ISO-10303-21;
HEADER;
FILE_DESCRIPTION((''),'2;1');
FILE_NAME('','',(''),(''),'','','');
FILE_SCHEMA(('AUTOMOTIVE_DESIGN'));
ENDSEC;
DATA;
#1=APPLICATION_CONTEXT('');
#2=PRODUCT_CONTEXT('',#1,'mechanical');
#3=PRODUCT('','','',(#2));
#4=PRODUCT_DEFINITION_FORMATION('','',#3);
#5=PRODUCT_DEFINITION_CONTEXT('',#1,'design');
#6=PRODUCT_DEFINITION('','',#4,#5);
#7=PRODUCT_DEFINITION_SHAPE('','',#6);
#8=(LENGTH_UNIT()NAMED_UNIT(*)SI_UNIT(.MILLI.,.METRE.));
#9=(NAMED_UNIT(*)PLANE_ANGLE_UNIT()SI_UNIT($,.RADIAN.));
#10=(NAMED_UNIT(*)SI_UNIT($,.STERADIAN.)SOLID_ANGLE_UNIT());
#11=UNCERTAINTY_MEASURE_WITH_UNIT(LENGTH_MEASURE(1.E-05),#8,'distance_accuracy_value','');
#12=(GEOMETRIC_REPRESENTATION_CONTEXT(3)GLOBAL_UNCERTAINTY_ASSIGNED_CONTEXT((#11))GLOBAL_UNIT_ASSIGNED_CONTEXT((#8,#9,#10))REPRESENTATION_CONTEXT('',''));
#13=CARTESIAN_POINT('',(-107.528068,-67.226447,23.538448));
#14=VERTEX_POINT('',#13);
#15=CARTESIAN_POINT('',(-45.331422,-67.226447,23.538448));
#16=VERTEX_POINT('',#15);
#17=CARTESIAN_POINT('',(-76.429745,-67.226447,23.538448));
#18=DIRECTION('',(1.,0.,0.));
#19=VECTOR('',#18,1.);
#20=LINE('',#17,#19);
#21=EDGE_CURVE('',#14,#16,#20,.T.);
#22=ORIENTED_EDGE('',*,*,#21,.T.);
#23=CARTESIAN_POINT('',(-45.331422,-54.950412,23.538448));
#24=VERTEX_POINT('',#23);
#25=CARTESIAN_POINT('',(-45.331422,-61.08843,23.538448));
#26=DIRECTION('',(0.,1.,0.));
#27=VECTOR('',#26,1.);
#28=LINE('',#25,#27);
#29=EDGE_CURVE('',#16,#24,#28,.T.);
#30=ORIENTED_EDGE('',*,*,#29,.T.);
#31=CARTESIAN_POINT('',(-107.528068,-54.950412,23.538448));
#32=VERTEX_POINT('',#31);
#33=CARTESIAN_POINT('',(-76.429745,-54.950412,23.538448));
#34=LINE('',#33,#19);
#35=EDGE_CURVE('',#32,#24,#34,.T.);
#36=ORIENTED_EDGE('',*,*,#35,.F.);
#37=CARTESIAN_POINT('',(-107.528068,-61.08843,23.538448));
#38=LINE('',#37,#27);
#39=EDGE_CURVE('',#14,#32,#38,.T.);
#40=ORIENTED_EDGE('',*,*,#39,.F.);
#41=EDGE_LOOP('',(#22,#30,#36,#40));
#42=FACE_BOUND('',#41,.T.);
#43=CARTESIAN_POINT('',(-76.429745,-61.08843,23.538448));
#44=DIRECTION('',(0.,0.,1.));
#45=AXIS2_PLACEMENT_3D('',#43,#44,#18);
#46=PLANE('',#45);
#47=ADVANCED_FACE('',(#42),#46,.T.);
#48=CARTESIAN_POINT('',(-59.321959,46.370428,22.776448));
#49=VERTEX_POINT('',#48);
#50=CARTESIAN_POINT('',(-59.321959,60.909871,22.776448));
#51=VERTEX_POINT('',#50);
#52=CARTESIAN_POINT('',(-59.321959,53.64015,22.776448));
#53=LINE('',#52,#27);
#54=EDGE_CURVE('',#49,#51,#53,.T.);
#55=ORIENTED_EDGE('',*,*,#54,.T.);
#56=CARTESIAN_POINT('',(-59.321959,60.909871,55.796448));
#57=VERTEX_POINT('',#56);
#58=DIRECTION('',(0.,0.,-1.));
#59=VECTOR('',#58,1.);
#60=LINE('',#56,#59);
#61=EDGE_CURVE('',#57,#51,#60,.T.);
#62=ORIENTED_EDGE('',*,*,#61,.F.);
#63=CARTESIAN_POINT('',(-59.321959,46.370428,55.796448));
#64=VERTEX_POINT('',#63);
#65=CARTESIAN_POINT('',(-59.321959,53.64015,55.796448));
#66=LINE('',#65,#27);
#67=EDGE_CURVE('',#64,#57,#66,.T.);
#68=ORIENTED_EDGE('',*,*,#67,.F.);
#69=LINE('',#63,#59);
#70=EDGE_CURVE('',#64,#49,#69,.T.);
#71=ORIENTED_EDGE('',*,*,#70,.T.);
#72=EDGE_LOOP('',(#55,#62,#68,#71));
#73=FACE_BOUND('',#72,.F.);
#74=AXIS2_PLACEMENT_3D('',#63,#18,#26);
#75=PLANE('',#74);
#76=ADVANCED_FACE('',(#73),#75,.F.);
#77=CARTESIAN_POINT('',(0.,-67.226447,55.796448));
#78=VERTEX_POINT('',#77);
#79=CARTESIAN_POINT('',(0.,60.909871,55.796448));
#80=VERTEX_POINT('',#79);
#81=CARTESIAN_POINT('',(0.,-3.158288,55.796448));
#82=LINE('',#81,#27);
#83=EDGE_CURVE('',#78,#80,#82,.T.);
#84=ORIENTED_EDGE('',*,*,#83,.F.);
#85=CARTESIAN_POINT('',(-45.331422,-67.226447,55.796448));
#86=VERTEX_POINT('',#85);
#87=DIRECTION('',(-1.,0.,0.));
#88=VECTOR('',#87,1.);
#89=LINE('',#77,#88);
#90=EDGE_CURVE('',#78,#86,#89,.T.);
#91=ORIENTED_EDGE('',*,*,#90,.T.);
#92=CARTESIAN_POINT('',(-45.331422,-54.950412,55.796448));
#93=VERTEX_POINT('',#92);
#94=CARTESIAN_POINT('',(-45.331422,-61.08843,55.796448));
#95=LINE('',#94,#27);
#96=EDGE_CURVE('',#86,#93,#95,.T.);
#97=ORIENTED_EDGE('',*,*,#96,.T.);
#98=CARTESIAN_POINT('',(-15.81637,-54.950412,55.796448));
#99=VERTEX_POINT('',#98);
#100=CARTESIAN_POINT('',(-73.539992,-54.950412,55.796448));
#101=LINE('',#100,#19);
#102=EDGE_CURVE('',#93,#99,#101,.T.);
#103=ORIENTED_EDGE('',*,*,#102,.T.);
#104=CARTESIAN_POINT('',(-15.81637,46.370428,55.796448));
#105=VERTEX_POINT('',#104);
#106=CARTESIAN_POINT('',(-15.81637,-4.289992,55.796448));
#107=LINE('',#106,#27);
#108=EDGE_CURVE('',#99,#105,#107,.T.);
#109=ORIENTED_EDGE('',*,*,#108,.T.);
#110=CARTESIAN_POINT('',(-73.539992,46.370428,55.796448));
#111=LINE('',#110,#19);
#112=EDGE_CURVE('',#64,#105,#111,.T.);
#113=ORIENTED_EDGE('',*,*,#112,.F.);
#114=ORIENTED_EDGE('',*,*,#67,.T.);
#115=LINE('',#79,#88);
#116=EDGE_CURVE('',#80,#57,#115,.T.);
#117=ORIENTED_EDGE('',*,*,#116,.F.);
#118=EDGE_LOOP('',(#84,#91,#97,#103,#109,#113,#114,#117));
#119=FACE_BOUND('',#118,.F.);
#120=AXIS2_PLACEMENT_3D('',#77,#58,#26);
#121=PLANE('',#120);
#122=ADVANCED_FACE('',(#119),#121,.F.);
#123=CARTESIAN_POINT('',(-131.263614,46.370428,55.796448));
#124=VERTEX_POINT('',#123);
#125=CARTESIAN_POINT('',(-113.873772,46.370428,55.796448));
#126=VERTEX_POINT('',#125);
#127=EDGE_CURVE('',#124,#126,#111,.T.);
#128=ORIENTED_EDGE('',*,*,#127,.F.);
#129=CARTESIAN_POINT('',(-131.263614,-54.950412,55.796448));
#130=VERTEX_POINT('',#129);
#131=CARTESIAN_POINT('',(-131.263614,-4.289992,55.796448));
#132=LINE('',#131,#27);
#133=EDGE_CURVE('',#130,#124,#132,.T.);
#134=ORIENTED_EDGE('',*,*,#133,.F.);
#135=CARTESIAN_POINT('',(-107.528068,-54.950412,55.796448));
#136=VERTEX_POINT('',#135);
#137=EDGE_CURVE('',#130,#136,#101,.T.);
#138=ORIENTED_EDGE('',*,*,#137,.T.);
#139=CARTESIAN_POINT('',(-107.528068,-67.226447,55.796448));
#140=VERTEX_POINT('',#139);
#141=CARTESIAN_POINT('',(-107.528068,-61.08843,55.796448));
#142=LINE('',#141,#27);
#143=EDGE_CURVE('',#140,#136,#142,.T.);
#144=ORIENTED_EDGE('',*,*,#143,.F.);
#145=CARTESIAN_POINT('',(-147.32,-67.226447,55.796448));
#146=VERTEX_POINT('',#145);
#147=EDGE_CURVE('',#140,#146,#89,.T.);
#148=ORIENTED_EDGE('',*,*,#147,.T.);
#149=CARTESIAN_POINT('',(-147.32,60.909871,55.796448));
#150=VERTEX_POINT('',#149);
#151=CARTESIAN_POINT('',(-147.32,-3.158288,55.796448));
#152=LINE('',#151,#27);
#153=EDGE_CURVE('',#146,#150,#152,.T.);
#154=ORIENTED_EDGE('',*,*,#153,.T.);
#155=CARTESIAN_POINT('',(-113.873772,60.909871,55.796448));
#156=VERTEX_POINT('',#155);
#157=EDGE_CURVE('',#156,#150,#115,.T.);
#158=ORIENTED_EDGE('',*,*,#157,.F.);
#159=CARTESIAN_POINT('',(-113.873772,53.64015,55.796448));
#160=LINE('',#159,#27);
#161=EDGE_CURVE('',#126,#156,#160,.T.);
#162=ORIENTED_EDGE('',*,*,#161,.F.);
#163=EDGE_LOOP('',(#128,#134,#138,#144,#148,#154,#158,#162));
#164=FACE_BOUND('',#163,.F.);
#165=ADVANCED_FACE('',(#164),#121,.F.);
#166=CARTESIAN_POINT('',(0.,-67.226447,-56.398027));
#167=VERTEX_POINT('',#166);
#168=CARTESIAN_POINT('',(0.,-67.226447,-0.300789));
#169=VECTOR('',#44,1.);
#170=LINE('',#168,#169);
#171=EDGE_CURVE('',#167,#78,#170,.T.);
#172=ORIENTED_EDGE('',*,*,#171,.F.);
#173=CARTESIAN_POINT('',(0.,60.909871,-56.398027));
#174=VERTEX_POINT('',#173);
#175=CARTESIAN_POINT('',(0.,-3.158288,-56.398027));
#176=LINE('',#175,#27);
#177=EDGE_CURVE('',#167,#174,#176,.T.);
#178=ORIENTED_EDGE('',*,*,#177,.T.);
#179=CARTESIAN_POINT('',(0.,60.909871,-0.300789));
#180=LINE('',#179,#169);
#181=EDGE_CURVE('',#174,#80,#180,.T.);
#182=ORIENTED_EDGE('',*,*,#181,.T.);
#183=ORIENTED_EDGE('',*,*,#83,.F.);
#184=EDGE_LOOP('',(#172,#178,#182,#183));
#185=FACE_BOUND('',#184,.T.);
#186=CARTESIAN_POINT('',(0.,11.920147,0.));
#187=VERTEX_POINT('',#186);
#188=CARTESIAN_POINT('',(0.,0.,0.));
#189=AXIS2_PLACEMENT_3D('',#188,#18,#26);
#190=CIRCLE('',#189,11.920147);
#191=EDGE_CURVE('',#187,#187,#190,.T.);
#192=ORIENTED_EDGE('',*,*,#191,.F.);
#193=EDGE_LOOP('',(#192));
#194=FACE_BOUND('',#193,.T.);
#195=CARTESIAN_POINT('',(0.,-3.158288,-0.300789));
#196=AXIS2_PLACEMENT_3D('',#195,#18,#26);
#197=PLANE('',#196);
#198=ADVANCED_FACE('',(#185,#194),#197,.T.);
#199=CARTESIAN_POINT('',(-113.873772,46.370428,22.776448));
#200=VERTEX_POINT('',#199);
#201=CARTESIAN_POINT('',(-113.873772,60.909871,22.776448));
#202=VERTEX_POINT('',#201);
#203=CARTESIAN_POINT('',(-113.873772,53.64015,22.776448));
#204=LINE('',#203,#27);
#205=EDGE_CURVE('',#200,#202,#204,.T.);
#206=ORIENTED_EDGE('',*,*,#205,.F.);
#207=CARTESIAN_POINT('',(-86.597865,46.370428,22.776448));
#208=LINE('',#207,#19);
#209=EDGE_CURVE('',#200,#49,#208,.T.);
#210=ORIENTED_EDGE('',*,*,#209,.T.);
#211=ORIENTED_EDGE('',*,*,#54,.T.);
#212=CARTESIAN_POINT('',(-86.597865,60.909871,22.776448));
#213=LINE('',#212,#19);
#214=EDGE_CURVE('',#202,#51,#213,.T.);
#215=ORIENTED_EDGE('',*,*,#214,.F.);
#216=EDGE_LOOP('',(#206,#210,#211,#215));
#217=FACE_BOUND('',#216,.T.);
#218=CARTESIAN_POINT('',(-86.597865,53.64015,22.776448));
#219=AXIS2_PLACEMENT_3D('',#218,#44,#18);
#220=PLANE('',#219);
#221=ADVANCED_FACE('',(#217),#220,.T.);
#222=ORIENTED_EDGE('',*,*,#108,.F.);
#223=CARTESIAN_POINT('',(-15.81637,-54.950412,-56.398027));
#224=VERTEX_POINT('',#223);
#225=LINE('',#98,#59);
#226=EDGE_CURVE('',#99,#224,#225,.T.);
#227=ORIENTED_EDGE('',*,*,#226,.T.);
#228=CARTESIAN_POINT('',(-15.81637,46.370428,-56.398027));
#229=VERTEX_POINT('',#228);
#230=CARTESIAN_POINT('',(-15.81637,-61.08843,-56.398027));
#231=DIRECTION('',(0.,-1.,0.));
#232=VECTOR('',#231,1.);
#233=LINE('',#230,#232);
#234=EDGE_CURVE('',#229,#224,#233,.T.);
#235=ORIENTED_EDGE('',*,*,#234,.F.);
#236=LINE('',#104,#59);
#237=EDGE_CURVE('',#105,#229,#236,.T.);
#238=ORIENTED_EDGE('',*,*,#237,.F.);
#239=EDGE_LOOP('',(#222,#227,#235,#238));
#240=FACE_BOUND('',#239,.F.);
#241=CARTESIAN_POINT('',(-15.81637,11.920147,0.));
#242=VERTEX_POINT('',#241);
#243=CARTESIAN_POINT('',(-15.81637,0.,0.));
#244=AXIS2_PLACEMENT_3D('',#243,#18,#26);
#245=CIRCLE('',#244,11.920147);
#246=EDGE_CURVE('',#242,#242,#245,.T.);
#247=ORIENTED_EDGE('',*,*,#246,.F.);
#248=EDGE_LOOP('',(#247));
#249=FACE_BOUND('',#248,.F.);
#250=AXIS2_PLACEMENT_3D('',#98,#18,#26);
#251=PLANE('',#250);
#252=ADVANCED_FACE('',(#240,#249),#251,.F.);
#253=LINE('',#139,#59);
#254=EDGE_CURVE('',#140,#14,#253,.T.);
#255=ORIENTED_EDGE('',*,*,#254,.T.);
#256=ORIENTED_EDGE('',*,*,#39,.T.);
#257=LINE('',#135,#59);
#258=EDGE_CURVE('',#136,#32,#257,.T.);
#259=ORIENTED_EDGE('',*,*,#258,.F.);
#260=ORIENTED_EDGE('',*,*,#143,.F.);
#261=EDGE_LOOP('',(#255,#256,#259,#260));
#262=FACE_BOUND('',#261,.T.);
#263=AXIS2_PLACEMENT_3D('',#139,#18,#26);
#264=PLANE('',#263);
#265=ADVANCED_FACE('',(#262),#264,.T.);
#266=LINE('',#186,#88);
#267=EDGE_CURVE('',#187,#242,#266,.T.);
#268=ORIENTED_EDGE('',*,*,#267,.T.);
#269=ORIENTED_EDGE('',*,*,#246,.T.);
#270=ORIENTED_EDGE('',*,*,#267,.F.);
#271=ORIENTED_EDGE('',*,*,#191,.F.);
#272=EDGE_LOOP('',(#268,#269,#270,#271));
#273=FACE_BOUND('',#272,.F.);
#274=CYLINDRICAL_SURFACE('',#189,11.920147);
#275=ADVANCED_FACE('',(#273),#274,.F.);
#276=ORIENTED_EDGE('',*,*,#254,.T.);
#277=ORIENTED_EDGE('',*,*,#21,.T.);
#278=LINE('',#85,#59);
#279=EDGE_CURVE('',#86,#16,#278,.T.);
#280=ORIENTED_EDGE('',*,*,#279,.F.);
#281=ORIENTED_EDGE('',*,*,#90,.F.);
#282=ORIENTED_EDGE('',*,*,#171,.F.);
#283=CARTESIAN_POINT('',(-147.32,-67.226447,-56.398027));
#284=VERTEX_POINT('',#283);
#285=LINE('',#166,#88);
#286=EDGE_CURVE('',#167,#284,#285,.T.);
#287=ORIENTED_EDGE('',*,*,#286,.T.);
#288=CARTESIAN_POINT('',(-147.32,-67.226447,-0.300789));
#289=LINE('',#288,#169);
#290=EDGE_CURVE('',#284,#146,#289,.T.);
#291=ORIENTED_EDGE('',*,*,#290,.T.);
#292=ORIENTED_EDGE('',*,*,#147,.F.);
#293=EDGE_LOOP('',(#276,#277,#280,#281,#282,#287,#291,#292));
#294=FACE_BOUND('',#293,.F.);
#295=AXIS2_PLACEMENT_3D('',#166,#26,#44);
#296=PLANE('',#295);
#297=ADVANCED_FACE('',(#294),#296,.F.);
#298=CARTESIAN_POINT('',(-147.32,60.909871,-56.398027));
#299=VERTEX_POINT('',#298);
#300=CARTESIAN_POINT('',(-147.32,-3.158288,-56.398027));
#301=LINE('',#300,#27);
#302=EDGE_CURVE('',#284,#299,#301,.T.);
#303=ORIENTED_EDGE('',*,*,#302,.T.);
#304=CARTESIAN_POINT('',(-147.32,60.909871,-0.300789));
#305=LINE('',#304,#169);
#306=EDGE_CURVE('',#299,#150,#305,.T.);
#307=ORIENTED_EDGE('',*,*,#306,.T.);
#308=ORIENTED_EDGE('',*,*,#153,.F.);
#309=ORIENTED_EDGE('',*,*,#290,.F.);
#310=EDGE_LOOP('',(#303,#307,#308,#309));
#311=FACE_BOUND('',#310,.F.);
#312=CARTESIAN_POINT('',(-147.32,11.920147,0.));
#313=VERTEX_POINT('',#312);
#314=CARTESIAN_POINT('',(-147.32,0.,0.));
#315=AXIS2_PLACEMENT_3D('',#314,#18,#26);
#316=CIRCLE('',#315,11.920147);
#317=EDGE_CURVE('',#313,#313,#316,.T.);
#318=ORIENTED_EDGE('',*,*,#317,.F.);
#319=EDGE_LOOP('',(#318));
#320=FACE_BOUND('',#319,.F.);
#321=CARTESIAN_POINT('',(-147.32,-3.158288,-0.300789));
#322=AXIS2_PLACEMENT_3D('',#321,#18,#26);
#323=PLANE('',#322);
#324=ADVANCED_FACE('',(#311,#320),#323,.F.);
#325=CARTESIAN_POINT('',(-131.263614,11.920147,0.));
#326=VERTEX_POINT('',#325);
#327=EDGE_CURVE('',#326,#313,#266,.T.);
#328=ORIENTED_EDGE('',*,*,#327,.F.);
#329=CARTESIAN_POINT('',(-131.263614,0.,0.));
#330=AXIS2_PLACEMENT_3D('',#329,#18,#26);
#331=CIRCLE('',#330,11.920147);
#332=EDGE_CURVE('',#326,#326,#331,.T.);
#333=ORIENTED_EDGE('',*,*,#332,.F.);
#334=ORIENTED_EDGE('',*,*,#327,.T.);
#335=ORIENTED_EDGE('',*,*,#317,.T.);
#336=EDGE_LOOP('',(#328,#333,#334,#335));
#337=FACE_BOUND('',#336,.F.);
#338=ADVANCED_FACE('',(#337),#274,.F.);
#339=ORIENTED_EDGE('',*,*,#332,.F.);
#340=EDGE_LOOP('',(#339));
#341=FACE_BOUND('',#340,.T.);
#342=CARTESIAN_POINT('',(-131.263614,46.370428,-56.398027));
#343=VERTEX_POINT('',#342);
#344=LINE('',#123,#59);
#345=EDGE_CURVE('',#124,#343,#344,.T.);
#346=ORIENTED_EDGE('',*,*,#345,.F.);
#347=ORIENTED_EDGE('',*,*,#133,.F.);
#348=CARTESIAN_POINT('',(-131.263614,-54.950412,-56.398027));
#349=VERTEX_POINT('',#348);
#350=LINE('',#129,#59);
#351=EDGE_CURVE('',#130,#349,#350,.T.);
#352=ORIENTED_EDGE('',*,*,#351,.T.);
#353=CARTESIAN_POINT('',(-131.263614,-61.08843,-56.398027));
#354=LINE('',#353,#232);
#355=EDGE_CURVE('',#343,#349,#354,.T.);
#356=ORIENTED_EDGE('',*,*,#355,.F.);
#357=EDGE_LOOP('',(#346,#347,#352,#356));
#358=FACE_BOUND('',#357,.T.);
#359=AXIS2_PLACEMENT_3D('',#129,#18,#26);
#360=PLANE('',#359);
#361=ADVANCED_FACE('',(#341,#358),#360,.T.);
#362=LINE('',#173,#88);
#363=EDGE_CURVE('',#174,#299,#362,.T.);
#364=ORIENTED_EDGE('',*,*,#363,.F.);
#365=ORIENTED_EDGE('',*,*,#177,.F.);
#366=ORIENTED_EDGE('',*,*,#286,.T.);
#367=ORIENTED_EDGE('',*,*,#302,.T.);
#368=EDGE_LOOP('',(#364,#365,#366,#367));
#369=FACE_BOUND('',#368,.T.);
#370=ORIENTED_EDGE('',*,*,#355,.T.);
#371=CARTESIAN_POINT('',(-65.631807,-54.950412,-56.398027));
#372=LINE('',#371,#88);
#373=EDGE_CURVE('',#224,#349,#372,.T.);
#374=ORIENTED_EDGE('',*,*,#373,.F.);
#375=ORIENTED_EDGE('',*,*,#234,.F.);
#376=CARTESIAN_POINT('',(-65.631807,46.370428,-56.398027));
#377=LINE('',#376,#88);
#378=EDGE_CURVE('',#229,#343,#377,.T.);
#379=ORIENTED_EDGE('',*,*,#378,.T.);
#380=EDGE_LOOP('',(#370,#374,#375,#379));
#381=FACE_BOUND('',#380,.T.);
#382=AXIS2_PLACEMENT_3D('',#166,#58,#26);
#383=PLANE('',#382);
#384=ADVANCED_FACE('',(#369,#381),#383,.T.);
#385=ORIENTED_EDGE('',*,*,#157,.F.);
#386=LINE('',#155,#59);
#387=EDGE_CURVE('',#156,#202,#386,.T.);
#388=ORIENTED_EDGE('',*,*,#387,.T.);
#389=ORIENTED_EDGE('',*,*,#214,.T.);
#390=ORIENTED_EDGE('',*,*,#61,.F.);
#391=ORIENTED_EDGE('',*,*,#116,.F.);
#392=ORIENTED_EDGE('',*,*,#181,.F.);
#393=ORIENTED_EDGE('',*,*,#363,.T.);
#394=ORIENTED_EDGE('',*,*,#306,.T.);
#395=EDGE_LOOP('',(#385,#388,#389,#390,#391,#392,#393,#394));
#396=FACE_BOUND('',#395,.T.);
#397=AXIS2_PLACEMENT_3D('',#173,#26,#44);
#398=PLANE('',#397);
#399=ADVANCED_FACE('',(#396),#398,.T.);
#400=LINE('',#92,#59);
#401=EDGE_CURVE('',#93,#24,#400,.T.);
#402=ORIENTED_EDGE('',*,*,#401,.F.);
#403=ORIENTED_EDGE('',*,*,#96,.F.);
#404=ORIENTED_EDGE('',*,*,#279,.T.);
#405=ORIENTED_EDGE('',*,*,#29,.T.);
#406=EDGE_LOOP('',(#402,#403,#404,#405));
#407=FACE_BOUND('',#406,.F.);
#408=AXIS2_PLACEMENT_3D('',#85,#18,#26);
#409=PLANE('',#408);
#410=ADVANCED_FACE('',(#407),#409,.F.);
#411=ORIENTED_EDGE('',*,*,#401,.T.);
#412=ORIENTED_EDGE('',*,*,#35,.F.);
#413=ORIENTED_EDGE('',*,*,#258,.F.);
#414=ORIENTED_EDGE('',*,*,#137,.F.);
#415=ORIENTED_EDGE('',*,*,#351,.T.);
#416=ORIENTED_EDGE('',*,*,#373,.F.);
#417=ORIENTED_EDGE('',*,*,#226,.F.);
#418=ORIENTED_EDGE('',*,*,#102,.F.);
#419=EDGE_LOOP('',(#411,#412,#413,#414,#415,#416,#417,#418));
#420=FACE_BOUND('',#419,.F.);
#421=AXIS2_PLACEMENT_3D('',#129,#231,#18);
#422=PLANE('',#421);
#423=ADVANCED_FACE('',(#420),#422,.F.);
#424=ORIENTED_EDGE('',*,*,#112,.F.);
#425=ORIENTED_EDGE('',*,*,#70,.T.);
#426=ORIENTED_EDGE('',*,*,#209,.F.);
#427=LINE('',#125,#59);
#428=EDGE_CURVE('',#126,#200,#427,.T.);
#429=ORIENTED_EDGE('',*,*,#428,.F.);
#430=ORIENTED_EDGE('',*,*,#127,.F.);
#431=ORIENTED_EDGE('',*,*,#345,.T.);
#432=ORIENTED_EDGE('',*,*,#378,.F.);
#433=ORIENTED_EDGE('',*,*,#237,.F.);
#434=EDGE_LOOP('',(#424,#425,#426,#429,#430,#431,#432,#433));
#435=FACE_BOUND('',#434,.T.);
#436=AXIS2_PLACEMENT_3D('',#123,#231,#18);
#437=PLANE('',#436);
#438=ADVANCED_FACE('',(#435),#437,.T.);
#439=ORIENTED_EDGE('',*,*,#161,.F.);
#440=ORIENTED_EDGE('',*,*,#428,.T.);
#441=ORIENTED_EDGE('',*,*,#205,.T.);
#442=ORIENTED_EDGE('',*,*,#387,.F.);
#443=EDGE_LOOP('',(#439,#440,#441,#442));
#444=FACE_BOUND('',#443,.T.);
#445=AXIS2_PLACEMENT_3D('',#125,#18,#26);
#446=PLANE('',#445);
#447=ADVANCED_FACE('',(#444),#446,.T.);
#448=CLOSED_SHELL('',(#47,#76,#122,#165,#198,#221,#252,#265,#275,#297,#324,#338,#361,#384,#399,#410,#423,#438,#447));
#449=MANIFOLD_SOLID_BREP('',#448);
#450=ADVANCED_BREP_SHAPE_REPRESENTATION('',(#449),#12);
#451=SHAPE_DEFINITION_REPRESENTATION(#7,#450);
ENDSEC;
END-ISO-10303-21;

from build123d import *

# Parameters (mm, degrees)
F0_W     = 128.136318177
F0_H     = 112.1944747865
F0_R     = 11.9201465669
F1_DEPTH = 147.32
F2_W     = 115.4472436756
F2_H     = 101.3208404183
F3_DEPTH = 112.1954747865
F4_W     = 62.1966458857
F4_H     = 12.2760348022
F5_DEPTH = 32.258
F4_W_2   = 54.5518137515
F4_H_2   = 14.5394429564
F6_DEPTH = 33.02


with BuildPart() as f1:
    # F0 (on Right) → F1 (new body)
    with BuildSketch(Plane.YZ):
        with Locations((-3.1582880765, -0.3007892519)):
            Rectangle(F0_W, F0_H)
        Circle(F0_R, mode=Mode.SUBTRACT)
    extrude(amount=-F1_DEPTH)

    # F2 (on face) → F3 (cut, through all)
    with BuildSketch(Plane.XY.offset(55.7964481413)):
        with Locations((-73.5399918631, -4.2899921536)):
            Rectangle(F2_W, F2_H)
    extrude(amount=-F3_DEPTH, mode=Mode.SUBTRACT)

    # F4 (on face) → F5 (cut)
    with BuildSketch(Plane.XY.offset(55.7964481413)):
        with Locations((-76.4297451824, -61.0884297639)):
            Rectangle(F4_W, F4_H)
    extrude(amount=-F5_DEPTH, mode=Mode.SUBTRACT)

    # F4 (on face) → F6 (cut)
    with BuildSketch(Plane.XY.offset(55.7964481413)):
        with Locations((-86.5978654474, 53.6401495337)):
            Rectangle(F4_W_2, F4_H_2)
    extrude(amount=-F6_DEPTH, mode=Mode.SUBTRACT)


solid = f1.part
